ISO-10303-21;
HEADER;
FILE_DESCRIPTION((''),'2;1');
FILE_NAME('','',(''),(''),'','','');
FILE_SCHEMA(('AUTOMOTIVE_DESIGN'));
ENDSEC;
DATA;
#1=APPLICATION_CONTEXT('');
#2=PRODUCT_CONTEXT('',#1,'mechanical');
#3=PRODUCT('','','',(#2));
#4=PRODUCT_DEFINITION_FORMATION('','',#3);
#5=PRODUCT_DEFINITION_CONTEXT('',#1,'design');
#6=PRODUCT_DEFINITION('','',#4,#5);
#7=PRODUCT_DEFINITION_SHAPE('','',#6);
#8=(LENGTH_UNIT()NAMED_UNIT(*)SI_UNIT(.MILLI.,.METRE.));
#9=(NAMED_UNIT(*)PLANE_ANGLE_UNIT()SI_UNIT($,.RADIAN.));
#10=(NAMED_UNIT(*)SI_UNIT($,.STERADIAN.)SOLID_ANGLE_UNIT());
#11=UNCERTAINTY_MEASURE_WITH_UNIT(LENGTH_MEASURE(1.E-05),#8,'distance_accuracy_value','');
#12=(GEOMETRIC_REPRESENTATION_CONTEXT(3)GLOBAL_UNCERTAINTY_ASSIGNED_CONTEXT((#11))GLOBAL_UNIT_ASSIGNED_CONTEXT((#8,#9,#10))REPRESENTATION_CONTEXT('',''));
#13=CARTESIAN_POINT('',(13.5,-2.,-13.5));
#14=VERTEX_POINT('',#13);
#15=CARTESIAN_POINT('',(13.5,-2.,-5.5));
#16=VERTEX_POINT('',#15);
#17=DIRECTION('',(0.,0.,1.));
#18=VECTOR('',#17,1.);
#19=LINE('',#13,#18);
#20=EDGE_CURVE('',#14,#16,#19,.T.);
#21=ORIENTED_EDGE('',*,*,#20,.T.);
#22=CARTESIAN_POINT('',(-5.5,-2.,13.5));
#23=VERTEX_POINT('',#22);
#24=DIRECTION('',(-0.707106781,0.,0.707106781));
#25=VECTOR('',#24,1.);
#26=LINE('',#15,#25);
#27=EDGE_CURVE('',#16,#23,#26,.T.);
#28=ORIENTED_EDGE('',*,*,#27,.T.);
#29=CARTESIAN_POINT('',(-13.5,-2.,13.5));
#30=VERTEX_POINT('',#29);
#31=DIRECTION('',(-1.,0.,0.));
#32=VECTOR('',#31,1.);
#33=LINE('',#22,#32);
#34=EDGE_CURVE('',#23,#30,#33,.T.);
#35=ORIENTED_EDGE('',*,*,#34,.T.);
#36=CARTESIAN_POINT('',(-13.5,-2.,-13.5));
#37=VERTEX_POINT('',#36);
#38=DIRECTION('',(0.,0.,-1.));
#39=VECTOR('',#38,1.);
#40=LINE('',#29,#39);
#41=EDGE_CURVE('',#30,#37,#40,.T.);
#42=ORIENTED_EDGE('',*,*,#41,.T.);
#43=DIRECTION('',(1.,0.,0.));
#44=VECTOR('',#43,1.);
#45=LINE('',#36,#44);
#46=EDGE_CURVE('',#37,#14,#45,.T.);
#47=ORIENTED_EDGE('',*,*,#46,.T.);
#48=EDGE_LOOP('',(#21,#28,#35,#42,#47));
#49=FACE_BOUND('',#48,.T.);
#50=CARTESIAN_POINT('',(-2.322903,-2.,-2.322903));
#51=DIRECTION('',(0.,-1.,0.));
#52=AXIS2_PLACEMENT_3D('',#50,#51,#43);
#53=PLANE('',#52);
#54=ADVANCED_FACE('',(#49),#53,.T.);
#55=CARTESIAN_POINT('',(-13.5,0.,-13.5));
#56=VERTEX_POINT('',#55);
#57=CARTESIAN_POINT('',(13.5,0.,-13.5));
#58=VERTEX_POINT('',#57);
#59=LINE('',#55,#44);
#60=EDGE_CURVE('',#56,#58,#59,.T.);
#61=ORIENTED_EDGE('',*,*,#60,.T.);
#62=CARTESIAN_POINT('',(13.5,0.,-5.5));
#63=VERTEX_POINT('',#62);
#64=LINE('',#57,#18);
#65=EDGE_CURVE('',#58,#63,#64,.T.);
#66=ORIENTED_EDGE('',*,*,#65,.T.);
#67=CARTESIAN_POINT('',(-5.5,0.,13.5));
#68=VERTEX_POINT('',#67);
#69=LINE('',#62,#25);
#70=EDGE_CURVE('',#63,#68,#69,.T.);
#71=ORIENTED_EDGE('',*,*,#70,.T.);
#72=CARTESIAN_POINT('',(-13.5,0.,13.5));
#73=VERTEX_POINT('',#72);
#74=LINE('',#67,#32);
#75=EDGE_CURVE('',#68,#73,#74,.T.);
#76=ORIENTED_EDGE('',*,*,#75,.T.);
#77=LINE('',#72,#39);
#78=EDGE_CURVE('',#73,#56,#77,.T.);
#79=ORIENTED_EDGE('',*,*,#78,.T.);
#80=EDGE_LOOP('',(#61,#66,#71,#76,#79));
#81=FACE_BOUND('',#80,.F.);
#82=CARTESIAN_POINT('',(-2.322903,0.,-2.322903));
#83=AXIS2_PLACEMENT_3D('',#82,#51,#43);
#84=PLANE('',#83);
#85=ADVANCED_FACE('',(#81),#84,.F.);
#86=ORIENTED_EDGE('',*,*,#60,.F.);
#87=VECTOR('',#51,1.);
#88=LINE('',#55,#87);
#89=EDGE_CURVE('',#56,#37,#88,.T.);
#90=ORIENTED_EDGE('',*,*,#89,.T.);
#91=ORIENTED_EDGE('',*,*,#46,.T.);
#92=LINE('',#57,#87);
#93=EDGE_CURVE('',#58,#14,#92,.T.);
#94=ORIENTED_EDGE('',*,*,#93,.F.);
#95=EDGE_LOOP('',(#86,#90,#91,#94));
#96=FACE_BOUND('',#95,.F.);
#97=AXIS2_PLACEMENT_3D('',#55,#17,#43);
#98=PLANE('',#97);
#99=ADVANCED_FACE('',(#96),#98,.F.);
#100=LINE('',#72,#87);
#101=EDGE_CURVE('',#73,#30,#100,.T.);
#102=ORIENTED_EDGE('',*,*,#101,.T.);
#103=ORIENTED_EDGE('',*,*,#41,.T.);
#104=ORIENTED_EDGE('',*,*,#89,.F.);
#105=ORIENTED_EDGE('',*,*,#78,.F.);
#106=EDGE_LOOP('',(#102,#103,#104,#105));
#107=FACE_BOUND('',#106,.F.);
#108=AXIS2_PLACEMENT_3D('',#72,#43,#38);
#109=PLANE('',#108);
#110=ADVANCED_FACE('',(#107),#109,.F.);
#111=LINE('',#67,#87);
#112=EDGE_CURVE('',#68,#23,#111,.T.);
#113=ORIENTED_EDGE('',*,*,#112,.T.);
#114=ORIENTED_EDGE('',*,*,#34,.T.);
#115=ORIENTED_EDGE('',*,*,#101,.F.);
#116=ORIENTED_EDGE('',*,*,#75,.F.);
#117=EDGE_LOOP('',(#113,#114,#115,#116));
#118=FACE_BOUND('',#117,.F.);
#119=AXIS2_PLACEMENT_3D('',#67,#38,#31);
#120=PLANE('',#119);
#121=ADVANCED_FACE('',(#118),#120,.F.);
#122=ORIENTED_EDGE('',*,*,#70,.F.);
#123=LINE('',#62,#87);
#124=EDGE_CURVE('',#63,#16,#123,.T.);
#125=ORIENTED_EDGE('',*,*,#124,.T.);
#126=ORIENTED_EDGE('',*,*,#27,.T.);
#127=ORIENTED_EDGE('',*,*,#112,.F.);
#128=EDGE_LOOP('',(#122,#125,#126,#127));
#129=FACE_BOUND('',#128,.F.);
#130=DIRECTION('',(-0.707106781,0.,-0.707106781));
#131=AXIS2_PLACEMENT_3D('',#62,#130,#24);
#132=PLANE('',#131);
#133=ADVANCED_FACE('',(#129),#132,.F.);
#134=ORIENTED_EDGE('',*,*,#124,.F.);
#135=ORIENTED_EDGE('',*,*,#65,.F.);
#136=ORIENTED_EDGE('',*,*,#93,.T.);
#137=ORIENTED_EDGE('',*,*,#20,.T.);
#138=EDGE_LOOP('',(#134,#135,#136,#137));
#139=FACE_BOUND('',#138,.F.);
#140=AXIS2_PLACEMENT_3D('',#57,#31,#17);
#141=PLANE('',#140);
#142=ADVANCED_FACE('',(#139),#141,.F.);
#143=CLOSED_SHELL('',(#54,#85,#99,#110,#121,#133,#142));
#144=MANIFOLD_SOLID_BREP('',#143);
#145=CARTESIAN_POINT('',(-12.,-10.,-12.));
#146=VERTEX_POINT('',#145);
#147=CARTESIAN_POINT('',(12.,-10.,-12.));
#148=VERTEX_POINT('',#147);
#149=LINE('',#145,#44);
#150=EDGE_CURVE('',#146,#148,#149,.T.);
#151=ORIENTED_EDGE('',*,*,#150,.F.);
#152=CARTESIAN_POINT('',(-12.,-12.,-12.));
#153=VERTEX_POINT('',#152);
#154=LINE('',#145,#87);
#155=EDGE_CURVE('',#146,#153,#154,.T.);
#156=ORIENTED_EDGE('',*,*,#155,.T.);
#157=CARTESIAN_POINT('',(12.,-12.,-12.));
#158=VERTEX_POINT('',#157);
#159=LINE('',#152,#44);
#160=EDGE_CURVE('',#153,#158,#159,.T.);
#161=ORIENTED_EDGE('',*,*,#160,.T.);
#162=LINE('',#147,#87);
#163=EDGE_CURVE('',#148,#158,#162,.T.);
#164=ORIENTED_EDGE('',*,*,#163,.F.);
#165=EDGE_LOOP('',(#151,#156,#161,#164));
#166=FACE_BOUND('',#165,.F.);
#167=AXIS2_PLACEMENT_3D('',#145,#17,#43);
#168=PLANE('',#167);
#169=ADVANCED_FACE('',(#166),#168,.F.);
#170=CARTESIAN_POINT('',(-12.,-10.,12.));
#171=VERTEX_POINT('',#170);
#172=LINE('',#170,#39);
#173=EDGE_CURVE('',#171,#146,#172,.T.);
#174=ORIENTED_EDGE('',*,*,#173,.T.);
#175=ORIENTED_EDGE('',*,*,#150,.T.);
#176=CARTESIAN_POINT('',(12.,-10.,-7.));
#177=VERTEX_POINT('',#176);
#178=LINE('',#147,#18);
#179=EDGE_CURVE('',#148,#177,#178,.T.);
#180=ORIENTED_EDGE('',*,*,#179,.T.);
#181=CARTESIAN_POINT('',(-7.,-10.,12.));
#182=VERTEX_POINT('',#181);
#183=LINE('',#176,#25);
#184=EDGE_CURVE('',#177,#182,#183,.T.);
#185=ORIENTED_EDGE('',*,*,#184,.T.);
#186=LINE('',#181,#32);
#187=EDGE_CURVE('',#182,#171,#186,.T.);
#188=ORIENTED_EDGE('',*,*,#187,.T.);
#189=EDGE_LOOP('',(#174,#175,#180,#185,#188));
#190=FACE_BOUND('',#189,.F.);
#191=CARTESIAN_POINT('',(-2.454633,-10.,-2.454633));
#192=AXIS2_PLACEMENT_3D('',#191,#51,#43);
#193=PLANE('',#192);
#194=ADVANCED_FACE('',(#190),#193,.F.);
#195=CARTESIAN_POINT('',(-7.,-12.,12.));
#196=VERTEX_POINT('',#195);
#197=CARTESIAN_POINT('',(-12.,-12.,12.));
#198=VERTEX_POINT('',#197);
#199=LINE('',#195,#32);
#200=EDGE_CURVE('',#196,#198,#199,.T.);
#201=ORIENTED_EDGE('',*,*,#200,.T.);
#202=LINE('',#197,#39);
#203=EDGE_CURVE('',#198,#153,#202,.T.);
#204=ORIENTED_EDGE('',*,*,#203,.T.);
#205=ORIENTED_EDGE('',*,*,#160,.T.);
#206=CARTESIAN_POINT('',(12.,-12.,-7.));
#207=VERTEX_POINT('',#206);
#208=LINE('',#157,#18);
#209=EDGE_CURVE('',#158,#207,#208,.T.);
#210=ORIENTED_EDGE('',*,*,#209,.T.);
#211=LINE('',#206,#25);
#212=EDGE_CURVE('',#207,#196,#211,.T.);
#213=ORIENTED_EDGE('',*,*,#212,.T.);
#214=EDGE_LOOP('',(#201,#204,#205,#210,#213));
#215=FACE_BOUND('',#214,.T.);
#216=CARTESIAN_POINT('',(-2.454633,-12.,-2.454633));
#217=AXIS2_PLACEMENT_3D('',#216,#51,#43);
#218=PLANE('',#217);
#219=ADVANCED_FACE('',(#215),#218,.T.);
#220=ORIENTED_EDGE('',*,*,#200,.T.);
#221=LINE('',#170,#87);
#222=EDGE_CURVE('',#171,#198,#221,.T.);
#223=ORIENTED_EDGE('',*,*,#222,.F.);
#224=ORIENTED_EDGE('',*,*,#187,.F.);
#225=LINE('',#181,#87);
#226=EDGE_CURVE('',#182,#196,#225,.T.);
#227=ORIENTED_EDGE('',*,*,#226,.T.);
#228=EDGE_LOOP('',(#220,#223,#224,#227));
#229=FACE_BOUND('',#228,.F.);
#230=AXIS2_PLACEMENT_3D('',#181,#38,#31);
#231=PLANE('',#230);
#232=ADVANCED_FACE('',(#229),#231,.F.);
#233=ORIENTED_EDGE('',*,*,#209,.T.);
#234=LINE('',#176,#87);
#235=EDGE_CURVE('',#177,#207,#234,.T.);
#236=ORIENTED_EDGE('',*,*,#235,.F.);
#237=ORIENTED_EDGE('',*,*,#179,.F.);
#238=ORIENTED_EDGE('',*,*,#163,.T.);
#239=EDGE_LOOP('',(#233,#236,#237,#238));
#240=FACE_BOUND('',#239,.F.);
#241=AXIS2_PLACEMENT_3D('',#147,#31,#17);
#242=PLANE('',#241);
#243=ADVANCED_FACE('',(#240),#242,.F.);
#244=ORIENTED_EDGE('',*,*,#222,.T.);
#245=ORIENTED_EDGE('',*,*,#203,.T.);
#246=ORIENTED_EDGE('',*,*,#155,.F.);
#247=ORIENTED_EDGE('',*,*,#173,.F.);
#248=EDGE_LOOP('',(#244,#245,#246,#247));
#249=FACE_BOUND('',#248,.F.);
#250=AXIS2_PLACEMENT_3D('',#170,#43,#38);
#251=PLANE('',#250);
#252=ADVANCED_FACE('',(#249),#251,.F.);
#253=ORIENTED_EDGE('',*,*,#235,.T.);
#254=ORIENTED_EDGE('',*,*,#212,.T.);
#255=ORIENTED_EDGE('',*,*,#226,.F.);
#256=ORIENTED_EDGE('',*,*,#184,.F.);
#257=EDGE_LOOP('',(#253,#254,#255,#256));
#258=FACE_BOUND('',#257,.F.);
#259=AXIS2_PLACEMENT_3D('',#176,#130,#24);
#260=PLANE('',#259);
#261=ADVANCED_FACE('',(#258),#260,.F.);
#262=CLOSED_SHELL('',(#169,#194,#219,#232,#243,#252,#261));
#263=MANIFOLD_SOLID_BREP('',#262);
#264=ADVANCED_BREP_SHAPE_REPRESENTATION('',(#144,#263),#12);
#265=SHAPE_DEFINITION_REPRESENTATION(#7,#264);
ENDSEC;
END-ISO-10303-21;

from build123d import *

# Parameters (mm, degrees)
F1_DEPTH = 2
F4_DEPTH = 2


with BuildPart() as f1:
    # F0 (on Front) → F1 (new body)
    with BuildSketch(Plane.XZ):
        Polygon((-13.5, -13.5), (13.5, -13.5), (13.5, -5.5), (-5.5, 13.5), (-13.5, 13.5), align=None)
    extrude(amount=F1_DEPTH)


with BuildPart() as f4:
    # F3 (on offset) → F4 (new body)
    with BuildSketch(Plane.XZ.offset(10)):
        Polygon((-12, -12), (12, -12), (12, -7), (-7, 12), (-12, 12), align=None)
    extrude(amount=F4_DEPTH)


solid = Compound([f1.part, f4.part])
